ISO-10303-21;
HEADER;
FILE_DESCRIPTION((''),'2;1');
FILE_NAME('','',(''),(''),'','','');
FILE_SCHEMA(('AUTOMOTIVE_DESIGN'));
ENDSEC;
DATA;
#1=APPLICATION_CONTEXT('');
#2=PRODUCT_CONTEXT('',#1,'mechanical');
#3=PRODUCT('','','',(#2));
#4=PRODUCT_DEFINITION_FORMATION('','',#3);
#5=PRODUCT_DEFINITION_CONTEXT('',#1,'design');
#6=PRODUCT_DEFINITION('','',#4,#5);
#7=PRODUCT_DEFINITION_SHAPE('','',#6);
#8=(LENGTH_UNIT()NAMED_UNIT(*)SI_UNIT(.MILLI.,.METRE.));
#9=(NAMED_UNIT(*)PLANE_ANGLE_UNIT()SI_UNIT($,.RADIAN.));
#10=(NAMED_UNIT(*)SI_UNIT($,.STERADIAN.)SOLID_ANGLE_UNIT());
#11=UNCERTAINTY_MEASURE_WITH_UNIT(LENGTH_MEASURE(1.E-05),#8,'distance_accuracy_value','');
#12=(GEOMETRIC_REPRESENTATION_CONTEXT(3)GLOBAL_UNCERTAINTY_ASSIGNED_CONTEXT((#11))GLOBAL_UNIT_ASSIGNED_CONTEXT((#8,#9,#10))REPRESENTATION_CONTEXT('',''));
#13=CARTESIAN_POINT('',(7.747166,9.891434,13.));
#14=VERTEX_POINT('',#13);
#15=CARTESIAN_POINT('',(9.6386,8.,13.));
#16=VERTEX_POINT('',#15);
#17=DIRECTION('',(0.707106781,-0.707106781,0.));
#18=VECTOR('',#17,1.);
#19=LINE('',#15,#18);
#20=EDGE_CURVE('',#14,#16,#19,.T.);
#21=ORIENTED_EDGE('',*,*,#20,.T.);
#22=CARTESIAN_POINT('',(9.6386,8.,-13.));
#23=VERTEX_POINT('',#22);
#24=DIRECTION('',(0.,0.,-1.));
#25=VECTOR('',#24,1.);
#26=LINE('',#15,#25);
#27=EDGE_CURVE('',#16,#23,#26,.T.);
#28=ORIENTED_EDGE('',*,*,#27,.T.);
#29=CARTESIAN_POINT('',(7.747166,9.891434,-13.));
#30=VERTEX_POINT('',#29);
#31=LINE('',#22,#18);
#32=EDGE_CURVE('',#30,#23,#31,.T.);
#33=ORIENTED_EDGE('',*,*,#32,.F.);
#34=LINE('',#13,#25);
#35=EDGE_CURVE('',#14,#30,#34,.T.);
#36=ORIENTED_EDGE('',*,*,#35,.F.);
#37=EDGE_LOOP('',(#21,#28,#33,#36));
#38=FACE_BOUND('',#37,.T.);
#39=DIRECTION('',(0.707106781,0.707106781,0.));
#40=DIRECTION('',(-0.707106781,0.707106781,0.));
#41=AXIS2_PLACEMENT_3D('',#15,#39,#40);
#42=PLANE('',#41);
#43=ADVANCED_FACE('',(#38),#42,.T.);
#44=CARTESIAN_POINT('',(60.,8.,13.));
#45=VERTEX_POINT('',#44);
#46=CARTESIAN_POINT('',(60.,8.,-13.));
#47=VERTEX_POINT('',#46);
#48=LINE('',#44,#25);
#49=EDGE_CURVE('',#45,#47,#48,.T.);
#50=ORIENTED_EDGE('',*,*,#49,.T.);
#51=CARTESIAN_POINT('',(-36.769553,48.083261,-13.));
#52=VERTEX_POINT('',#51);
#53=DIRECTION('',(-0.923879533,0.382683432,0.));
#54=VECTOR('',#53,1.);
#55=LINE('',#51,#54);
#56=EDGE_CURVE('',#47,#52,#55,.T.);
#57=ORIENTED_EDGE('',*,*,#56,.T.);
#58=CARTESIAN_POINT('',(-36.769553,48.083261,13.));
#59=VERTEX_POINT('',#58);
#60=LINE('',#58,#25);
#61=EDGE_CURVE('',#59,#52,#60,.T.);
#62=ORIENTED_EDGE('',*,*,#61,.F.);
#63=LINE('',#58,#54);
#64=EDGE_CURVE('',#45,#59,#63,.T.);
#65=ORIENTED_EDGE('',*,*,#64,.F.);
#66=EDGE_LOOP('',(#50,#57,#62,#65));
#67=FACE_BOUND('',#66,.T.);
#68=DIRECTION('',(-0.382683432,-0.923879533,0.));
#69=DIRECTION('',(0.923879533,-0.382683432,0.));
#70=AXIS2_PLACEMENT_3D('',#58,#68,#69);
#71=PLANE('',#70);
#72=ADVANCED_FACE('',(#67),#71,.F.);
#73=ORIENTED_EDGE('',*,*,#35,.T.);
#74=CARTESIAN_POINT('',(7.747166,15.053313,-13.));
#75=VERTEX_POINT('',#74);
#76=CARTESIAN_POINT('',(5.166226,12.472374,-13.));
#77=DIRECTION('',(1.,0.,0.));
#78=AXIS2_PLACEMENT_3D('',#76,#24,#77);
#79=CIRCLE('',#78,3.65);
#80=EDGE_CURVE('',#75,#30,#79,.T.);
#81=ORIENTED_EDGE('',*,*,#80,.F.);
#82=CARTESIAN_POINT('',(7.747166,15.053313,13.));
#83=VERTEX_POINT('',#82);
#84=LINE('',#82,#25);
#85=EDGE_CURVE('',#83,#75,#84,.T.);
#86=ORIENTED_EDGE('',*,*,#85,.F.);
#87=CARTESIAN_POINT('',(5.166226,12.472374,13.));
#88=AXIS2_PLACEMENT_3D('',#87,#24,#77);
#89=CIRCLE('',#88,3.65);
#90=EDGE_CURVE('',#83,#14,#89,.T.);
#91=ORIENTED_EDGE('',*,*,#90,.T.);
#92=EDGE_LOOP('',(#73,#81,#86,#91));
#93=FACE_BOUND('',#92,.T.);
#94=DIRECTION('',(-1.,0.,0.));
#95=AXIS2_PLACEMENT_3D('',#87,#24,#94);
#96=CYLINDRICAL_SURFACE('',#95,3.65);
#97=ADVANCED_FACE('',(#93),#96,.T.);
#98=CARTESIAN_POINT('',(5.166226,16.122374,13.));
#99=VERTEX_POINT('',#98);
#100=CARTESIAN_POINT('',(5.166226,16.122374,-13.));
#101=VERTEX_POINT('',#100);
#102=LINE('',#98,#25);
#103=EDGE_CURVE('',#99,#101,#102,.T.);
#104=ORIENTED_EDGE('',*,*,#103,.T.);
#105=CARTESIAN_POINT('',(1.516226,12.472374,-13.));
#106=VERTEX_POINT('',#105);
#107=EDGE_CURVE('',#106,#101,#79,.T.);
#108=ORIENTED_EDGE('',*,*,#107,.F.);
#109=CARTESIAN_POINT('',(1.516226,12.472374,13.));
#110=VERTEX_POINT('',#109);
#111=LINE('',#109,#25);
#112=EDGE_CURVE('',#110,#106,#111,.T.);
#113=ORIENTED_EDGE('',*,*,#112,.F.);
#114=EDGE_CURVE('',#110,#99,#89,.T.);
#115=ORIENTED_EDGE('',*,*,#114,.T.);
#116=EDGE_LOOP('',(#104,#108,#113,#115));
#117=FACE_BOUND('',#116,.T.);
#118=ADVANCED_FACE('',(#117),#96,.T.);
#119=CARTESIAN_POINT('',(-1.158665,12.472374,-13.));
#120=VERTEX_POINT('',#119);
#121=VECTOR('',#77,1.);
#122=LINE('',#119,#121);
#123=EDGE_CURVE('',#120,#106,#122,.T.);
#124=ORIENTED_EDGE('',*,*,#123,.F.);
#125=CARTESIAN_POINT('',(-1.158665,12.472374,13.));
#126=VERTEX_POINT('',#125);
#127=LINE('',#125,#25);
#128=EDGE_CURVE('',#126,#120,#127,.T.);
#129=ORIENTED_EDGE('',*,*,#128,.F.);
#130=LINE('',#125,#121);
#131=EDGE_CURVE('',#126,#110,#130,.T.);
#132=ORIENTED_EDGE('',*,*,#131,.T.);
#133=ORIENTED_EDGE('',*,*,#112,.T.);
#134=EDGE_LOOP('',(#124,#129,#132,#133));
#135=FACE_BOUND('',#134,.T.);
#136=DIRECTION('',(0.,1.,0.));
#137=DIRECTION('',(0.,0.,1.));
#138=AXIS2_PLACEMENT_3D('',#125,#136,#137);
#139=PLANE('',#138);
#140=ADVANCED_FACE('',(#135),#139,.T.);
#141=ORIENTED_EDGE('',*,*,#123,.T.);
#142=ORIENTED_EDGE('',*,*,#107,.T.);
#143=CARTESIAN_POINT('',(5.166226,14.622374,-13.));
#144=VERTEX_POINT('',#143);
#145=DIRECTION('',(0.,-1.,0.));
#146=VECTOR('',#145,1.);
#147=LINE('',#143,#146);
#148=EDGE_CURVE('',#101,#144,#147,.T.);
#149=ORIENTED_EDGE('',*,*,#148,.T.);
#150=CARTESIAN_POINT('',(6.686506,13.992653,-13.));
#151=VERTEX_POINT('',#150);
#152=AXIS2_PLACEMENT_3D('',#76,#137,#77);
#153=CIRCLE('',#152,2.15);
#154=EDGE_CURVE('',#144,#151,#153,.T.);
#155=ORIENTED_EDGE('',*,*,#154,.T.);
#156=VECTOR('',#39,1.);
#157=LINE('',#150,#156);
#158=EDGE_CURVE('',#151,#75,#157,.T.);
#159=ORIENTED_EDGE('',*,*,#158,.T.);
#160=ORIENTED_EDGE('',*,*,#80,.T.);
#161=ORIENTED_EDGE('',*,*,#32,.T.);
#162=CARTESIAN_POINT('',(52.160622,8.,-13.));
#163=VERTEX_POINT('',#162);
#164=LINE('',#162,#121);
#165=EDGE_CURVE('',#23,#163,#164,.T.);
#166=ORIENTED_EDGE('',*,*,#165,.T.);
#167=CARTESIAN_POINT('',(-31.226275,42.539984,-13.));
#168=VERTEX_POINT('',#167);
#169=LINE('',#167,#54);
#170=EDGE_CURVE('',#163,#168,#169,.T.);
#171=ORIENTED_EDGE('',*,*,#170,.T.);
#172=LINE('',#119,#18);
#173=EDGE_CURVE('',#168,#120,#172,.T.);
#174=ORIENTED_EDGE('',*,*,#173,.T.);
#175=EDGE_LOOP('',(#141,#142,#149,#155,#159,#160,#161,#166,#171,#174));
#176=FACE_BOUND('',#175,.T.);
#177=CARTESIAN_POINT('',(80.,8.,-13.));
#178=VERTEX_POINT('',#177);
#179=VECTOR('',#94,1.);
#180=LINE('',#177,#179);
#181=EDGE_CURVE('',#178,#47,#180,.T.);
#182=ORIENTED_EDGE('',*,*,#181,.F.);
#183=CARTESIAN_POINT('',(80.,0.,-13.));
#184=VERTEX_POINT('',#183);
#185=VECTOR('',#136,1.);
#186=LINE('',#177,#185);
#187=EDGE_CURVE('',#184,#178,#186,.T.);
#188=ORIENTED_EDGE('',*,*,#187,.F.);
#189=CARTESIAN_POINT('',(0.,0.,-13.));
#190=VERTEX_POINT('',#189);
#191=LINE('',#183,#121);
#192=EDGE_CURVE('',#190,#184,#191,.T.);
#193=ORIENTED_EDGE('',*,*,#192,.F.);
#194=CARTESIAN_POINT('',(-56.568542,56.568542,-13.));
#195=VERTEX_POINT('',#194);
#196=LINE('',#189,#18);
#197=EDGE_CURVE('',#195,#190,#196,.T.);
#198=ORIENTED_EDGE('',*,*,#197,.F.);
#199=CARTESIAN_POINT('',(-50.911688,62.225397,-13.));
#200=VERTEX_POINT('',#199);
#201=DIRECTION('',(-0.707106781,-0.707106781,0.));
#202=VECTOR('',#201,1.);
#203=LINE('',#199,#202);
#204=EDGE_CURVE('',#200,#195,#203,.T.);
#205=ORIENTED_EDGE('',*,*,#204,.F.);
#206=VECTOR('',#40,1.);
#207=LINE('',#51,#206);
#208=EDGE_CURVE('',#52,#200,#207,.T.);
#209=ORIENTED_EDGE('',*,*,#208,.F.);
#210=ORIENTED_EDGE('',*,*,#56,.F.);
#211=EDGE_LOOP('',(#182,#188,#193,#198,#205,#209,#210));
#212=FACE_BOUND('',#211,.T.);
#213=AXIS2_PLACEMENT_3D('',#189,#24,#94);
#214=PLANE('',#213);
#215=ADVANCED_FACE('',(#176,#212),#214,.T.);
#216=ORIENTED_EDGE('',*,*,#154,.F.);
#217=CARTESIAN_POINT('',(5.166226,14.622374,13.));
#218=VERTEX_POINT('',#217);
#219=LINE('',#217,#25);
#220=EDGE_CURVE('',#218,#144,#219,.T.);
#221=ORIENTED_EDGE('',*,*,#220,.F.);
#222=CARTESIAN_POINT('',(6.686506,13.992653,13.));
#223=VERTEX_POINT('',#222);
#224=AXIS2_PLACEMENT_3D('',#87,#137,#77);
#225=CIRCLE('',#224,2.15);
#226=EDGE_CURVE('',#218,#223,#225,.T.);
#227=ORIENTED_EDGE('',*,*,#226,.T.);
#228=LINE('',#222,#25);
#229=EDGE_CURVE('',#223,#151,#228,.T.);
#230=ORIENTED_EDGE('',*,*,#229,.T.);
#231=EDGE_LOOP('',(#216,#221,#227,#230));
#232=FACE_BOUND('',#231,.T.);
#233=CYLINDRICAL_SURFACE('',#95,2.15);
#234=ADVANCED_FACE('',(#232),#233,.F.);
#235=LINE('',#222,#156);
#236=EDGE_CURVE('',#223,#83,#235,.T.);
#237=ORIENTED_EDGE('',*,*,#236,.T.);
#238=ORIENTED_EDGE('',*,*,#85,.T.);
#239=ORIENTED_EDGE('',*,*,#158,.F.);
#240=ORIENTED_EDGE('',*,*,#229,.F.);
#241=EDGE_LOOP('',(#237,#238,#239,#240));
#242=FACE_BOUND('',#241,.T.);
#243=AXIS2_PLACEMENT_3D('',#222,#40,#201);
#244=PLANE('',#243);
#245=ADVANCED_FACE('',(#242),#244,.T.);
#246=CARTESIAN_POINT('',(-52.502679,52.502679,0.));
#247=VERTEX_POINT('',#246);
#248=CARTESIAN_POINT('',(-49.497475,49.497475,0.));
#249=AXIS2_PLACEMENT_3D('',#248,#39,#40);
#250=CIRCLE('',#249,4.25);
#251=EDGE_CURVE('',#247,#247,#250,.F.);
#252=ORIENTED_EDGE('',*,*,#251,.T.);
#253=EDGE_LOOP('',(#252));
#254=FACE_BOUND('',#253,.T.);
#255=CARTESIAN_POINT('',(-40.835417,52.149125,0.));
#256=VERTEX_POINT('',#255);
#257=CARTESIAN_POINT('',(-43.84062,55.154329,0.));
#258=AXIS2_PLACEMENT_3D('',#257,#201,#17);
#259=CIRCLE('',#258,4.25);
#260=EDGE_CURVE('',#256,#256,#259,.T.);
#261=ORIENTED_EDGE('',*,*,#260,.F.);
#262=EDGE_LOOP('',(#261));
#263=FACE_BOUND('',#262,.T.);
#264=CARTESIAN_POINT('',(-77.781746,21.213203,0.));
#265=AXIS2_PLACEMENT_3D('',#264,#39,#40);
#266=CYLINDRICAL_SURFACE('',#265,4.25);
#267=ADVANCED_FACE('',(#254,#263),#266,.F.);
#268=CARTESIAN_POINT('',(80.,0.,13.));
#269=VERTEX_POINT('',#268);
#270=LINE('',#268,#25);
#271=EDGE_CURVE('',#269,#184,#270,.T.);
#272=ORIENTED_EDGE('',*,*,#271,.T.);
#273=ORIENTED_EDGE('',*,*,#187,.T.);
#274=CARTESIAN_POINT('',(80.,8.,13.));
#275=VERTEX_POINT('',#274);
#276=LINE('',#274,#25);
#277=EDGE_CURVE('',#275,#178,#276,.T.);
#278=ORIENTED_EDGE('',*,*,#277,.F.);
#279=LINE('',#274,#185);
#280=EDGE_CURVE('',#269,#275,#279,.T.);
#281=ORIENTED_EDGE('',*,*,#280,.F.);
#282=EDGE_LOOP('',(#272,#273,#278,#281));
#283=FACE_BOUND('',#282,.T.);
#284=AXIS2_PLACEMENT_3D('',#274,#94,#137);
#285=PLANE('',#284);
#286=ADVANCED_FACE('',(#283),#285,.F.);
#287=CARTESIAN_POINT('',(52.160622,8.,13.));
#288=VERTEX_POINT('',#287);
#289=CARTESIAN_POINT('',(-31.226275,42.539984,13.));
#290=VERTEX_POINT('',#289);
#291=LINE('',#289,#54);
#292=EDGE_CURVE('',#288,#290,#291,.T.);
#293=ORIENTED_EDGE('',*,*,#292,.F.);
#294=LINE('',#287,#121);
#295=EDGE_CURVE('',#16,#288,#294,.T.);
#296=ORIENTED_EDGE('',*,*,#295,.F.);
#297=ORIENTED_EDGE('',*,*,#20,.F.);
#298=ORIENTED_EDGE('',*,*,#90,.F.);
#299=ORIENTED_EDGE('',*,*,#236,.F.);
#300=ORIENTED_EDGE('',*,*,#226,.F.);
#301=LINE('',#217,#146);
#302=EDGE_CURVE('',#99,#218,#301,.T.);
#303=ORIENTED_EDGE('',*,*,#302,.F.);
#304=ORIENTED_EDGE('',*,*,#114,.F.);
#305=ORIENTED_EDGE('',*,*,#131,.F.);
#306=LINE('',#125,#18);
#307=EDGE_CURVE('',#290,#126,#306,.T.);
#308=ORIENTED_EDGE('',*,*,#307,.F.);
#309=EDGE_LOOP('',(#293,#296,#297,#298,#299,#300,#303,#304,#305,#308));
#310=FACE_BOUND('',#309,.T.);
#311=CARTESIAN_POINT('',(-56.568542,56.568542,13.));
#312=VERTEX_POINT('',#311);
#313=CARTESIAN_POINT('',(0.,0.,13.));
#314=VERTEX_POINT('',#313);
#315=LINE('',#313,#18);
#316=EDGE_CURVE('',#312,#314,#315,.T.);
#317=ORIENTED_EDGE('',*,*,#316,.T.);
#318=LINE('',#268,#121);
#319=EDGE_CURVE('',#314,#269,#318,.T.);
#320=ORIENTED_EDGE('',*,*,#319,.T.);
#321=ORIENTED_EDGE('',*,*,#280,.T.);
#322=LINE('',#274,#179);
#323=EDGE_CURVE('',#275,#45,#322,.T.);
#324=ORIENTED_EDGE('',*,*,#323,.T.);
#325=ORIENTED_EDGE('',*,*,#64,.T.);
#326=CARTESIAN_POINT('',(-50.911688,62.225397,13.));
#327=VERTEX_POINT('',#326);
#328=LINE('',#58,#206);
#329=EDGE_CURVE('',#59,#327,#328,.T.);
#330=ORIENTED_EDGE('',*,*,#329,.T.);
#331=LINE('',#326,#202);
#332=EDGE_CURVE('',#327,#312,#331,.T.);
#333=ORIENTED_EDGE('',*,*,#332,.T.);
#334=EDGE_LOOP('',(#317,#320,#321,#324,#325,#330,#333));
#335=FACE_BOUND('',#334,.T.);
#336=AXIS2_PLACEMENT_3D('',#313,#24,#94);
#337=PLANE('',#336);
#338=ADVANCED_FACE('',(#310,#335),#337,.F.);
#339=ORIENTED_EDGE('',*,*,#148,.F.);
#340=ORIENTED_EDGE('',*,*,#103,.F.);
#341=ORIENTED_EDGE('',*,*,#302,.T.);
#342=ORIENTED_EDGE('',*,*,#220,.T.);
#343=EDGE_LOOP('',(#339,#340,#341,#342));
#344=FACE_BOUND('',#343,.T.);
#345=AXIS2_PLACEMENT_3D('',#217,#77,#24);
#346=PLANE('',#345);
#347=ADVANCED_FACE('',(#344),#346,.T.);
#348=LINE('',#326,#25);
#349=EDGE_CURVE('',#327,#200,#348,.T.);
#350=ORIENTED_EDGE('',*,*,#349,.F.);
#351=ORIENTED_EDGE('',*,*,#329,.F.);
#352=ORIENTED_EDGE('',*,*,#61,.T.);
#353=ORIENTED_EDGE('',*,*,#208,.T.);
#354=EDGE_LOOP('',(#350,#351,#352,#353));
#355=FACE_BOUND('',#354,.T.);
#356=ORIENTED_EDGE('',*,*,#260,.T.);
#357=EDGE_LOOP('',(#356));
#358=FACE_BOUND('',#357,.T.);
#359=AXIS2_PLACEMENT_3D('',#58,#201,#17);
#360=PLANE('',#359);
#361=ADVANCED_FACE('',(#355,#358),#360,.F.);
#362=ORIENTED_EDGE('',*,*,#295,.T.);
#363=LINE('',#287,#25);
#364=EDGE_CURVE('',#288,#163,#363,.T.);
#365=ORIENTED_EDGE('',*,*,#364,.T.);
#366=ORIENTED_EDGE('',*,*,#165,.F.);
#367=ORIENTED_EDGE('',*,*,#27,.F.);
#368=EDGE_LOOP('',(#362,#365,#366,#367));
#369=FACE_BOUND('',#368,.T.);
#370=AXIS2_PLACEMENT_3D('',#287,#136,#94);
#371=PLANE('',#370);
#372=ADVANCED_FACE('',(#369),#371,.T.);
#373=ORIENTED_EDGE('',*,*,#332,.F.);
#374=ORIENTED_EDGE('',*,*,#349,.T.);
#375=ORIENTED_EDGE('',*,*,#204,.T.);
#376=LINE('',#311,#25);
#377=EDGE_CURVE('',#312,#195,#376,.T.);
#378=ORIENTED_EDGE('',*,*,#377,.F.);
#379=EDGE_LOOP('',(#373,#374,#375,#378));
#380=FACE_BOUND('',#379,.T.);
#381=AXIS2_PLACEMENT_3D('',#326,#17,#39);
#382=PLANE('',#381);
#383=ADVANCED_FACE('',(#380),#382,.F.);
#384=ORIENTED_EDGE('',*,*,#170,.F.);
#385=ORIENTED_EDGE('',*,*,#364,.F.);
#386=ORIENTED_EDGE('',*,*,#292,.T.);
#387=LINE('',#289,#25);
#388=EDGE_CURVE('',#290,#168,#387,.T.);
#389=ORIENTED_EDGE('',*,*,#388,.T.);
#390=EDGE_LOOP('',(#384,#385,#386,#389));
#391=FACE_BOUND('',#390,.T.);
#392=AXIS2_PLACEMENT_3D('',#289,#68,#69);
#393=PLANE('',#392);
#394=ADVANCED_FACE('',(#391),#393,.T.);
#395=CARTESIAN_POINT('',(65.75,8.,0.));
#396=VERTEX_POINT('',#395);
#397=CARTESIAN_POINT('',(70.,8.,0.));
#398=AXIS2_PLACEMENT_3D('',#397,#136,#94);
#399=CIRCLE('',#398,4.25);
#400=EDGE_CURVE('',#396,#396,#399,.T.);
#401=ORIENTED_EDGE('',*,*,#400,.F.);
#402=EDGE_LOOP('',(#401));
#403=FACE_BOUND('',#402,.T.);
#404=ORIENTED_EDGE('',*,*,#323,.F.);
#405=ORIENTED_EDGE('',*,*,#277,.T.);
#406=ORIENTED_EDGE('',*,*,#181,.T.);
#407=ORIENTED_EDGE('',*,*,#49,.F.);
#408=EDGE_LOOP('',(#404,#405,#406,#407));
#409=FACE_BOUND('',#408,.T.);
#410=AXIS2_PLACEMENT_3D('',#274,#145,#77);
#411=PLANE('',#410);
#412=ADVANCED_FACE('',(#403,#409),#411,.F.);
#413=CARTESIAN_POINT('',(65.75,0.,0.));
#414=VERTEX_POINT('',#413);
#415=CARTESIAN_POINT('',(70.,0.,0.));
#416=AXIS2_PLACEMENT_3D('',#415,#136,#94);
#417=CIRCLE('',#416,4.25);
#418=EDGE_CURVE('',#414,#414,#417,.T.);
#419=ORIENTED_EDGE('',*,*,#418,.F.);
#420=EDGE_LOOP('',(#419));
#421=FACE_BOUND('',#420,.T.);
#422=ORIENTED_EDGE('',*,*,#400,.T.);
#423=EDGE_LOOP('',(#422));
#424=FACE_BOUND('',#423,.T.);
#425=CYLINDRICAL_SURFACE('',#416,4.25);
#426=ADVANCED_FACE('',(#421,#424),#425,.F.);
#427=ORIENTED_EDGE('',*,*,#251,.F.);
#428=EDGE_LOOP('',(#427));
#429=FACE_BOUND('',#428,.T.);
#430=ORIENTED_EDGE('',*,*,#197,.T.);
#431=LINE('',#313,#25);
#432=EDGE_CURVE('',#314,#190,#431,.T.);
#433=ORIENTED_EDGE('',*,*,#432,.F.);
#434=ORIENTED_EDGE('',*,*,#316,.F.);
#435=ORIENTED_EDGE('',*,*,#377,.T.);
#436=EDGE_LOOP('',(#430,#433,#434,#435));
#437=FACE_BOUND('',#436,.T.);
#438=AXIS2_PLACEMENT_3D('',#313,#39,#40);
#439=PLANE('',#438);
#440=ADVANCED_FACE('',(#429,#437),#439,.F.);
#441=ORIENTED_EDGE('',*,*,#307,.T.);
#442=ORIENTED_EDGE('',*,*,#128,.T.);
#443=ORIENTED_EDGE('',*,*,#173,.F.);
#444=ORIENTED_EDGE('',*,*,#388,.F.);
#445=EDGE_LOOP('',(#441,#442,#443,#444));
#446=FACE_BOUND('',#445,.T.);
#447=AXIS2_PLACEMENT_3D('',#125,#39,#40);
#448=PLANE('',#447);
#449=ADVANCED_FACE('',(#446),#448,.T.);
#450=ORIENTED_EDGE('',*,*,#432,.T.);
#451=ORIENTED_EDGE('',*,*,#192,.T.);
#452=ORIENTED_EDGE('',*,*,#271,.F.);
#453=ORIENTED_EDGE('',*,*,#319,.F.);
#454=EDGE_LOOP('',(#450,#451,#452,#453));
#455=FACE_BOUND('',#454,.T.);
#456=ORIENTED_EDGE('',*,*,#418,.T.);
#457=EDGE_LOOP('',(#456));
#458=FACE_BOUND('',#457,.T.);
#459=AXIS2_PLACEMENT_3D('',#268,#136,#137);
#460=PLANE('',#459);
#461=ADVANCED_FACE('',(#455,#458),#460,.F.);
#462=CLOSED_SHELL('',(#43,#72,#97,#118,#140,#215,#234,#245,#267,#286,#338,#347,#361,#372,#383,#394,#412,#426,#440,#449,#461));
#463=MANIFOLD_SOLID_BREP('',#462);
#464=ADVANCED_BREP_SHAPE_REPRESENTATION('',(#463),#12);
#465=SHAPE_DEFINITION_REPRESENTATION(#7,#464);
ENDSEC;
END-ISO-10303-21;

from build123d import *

# Parameters (mm, degrees)
EXTRUDE_1_DEPTH     = 13
SKETCH_3_R          = 4.25
CUT_EXTRUDE_1_DEPTH = 98.51611996


with BuildPart() as part:
    # 草图1 → 凸台-拉伸1 (new, symmetric)
    with BuildSketch(Plane.XY):
        Polygon((80, 0), (0, 0), (-56.568542495, 56.568542495), (-50.911688245, 62.225396744), (-36.769552622, 48.083261121), (60, 8), (80, 8), align=None)
        with BuildLine():
            Line((52.160622211, 8), (9.638600026, 8))
            Line((9.638600026, 8), (7.747166088, 9.891433938))
            ThreePointArc((7.747166088, 9.891433938), (8.816226337, 12.472373689), (7.747166088, 15.05331344))
            Line((7.747166088, 15.05331344), (6.686505916, 13.992653268))
            ThreePointArc((6.686505916, 13.992653268), (4.343456957, 10.486032694), (5.166226337, 14.622373689))
            Line((5.166226337, 14.622373689), (5.166226337, 16.122373689))
            ThreePointArc((5.166226337, 16.122373689), (2.585286586, 15.05331344), (1.516226337, 12.472373689))
            Line((1.516226337, 12.472373689), (-1.15866519, 12.472373689))
            Line((-1.15866519, 12.472373689), (-31.226275427, 42.539983926))
            Line((-31.226275427, 42.539983926), (52.160622211, 8))
        make_face(mode=Mode.SUBTRACT)
    extrude(amount=EXTRUDE_1_DEPTH, both=True)

    # 草图3 → 切除-拉伸1 (cut, through all)
    with BuildSketch(Plane(origin=(0, 8, 0), x_dir=(1, 0, 0), z_dir=(0, 1, 0))):
        with Locations(Location((70, 0, 0), (0, 0, 180))):
            Circle(SKETCH_3_R)
    cut_extrude_1 = extrude(amount=-CUT_EXTRUDE_1_DEPTH, mode=Mode.SUBTRACT)

    # 镜向1: 切除-拉伸1 across plane
    add(cut_extrude_1.mirror(Plane(origin=(0, 0, 0), x_dir=(0, 0, 1), z_dir=(-0.9238795325112867, 0.3826834323650898, 0))), mode=Mode.SUBTRACT)


solid = part.part
